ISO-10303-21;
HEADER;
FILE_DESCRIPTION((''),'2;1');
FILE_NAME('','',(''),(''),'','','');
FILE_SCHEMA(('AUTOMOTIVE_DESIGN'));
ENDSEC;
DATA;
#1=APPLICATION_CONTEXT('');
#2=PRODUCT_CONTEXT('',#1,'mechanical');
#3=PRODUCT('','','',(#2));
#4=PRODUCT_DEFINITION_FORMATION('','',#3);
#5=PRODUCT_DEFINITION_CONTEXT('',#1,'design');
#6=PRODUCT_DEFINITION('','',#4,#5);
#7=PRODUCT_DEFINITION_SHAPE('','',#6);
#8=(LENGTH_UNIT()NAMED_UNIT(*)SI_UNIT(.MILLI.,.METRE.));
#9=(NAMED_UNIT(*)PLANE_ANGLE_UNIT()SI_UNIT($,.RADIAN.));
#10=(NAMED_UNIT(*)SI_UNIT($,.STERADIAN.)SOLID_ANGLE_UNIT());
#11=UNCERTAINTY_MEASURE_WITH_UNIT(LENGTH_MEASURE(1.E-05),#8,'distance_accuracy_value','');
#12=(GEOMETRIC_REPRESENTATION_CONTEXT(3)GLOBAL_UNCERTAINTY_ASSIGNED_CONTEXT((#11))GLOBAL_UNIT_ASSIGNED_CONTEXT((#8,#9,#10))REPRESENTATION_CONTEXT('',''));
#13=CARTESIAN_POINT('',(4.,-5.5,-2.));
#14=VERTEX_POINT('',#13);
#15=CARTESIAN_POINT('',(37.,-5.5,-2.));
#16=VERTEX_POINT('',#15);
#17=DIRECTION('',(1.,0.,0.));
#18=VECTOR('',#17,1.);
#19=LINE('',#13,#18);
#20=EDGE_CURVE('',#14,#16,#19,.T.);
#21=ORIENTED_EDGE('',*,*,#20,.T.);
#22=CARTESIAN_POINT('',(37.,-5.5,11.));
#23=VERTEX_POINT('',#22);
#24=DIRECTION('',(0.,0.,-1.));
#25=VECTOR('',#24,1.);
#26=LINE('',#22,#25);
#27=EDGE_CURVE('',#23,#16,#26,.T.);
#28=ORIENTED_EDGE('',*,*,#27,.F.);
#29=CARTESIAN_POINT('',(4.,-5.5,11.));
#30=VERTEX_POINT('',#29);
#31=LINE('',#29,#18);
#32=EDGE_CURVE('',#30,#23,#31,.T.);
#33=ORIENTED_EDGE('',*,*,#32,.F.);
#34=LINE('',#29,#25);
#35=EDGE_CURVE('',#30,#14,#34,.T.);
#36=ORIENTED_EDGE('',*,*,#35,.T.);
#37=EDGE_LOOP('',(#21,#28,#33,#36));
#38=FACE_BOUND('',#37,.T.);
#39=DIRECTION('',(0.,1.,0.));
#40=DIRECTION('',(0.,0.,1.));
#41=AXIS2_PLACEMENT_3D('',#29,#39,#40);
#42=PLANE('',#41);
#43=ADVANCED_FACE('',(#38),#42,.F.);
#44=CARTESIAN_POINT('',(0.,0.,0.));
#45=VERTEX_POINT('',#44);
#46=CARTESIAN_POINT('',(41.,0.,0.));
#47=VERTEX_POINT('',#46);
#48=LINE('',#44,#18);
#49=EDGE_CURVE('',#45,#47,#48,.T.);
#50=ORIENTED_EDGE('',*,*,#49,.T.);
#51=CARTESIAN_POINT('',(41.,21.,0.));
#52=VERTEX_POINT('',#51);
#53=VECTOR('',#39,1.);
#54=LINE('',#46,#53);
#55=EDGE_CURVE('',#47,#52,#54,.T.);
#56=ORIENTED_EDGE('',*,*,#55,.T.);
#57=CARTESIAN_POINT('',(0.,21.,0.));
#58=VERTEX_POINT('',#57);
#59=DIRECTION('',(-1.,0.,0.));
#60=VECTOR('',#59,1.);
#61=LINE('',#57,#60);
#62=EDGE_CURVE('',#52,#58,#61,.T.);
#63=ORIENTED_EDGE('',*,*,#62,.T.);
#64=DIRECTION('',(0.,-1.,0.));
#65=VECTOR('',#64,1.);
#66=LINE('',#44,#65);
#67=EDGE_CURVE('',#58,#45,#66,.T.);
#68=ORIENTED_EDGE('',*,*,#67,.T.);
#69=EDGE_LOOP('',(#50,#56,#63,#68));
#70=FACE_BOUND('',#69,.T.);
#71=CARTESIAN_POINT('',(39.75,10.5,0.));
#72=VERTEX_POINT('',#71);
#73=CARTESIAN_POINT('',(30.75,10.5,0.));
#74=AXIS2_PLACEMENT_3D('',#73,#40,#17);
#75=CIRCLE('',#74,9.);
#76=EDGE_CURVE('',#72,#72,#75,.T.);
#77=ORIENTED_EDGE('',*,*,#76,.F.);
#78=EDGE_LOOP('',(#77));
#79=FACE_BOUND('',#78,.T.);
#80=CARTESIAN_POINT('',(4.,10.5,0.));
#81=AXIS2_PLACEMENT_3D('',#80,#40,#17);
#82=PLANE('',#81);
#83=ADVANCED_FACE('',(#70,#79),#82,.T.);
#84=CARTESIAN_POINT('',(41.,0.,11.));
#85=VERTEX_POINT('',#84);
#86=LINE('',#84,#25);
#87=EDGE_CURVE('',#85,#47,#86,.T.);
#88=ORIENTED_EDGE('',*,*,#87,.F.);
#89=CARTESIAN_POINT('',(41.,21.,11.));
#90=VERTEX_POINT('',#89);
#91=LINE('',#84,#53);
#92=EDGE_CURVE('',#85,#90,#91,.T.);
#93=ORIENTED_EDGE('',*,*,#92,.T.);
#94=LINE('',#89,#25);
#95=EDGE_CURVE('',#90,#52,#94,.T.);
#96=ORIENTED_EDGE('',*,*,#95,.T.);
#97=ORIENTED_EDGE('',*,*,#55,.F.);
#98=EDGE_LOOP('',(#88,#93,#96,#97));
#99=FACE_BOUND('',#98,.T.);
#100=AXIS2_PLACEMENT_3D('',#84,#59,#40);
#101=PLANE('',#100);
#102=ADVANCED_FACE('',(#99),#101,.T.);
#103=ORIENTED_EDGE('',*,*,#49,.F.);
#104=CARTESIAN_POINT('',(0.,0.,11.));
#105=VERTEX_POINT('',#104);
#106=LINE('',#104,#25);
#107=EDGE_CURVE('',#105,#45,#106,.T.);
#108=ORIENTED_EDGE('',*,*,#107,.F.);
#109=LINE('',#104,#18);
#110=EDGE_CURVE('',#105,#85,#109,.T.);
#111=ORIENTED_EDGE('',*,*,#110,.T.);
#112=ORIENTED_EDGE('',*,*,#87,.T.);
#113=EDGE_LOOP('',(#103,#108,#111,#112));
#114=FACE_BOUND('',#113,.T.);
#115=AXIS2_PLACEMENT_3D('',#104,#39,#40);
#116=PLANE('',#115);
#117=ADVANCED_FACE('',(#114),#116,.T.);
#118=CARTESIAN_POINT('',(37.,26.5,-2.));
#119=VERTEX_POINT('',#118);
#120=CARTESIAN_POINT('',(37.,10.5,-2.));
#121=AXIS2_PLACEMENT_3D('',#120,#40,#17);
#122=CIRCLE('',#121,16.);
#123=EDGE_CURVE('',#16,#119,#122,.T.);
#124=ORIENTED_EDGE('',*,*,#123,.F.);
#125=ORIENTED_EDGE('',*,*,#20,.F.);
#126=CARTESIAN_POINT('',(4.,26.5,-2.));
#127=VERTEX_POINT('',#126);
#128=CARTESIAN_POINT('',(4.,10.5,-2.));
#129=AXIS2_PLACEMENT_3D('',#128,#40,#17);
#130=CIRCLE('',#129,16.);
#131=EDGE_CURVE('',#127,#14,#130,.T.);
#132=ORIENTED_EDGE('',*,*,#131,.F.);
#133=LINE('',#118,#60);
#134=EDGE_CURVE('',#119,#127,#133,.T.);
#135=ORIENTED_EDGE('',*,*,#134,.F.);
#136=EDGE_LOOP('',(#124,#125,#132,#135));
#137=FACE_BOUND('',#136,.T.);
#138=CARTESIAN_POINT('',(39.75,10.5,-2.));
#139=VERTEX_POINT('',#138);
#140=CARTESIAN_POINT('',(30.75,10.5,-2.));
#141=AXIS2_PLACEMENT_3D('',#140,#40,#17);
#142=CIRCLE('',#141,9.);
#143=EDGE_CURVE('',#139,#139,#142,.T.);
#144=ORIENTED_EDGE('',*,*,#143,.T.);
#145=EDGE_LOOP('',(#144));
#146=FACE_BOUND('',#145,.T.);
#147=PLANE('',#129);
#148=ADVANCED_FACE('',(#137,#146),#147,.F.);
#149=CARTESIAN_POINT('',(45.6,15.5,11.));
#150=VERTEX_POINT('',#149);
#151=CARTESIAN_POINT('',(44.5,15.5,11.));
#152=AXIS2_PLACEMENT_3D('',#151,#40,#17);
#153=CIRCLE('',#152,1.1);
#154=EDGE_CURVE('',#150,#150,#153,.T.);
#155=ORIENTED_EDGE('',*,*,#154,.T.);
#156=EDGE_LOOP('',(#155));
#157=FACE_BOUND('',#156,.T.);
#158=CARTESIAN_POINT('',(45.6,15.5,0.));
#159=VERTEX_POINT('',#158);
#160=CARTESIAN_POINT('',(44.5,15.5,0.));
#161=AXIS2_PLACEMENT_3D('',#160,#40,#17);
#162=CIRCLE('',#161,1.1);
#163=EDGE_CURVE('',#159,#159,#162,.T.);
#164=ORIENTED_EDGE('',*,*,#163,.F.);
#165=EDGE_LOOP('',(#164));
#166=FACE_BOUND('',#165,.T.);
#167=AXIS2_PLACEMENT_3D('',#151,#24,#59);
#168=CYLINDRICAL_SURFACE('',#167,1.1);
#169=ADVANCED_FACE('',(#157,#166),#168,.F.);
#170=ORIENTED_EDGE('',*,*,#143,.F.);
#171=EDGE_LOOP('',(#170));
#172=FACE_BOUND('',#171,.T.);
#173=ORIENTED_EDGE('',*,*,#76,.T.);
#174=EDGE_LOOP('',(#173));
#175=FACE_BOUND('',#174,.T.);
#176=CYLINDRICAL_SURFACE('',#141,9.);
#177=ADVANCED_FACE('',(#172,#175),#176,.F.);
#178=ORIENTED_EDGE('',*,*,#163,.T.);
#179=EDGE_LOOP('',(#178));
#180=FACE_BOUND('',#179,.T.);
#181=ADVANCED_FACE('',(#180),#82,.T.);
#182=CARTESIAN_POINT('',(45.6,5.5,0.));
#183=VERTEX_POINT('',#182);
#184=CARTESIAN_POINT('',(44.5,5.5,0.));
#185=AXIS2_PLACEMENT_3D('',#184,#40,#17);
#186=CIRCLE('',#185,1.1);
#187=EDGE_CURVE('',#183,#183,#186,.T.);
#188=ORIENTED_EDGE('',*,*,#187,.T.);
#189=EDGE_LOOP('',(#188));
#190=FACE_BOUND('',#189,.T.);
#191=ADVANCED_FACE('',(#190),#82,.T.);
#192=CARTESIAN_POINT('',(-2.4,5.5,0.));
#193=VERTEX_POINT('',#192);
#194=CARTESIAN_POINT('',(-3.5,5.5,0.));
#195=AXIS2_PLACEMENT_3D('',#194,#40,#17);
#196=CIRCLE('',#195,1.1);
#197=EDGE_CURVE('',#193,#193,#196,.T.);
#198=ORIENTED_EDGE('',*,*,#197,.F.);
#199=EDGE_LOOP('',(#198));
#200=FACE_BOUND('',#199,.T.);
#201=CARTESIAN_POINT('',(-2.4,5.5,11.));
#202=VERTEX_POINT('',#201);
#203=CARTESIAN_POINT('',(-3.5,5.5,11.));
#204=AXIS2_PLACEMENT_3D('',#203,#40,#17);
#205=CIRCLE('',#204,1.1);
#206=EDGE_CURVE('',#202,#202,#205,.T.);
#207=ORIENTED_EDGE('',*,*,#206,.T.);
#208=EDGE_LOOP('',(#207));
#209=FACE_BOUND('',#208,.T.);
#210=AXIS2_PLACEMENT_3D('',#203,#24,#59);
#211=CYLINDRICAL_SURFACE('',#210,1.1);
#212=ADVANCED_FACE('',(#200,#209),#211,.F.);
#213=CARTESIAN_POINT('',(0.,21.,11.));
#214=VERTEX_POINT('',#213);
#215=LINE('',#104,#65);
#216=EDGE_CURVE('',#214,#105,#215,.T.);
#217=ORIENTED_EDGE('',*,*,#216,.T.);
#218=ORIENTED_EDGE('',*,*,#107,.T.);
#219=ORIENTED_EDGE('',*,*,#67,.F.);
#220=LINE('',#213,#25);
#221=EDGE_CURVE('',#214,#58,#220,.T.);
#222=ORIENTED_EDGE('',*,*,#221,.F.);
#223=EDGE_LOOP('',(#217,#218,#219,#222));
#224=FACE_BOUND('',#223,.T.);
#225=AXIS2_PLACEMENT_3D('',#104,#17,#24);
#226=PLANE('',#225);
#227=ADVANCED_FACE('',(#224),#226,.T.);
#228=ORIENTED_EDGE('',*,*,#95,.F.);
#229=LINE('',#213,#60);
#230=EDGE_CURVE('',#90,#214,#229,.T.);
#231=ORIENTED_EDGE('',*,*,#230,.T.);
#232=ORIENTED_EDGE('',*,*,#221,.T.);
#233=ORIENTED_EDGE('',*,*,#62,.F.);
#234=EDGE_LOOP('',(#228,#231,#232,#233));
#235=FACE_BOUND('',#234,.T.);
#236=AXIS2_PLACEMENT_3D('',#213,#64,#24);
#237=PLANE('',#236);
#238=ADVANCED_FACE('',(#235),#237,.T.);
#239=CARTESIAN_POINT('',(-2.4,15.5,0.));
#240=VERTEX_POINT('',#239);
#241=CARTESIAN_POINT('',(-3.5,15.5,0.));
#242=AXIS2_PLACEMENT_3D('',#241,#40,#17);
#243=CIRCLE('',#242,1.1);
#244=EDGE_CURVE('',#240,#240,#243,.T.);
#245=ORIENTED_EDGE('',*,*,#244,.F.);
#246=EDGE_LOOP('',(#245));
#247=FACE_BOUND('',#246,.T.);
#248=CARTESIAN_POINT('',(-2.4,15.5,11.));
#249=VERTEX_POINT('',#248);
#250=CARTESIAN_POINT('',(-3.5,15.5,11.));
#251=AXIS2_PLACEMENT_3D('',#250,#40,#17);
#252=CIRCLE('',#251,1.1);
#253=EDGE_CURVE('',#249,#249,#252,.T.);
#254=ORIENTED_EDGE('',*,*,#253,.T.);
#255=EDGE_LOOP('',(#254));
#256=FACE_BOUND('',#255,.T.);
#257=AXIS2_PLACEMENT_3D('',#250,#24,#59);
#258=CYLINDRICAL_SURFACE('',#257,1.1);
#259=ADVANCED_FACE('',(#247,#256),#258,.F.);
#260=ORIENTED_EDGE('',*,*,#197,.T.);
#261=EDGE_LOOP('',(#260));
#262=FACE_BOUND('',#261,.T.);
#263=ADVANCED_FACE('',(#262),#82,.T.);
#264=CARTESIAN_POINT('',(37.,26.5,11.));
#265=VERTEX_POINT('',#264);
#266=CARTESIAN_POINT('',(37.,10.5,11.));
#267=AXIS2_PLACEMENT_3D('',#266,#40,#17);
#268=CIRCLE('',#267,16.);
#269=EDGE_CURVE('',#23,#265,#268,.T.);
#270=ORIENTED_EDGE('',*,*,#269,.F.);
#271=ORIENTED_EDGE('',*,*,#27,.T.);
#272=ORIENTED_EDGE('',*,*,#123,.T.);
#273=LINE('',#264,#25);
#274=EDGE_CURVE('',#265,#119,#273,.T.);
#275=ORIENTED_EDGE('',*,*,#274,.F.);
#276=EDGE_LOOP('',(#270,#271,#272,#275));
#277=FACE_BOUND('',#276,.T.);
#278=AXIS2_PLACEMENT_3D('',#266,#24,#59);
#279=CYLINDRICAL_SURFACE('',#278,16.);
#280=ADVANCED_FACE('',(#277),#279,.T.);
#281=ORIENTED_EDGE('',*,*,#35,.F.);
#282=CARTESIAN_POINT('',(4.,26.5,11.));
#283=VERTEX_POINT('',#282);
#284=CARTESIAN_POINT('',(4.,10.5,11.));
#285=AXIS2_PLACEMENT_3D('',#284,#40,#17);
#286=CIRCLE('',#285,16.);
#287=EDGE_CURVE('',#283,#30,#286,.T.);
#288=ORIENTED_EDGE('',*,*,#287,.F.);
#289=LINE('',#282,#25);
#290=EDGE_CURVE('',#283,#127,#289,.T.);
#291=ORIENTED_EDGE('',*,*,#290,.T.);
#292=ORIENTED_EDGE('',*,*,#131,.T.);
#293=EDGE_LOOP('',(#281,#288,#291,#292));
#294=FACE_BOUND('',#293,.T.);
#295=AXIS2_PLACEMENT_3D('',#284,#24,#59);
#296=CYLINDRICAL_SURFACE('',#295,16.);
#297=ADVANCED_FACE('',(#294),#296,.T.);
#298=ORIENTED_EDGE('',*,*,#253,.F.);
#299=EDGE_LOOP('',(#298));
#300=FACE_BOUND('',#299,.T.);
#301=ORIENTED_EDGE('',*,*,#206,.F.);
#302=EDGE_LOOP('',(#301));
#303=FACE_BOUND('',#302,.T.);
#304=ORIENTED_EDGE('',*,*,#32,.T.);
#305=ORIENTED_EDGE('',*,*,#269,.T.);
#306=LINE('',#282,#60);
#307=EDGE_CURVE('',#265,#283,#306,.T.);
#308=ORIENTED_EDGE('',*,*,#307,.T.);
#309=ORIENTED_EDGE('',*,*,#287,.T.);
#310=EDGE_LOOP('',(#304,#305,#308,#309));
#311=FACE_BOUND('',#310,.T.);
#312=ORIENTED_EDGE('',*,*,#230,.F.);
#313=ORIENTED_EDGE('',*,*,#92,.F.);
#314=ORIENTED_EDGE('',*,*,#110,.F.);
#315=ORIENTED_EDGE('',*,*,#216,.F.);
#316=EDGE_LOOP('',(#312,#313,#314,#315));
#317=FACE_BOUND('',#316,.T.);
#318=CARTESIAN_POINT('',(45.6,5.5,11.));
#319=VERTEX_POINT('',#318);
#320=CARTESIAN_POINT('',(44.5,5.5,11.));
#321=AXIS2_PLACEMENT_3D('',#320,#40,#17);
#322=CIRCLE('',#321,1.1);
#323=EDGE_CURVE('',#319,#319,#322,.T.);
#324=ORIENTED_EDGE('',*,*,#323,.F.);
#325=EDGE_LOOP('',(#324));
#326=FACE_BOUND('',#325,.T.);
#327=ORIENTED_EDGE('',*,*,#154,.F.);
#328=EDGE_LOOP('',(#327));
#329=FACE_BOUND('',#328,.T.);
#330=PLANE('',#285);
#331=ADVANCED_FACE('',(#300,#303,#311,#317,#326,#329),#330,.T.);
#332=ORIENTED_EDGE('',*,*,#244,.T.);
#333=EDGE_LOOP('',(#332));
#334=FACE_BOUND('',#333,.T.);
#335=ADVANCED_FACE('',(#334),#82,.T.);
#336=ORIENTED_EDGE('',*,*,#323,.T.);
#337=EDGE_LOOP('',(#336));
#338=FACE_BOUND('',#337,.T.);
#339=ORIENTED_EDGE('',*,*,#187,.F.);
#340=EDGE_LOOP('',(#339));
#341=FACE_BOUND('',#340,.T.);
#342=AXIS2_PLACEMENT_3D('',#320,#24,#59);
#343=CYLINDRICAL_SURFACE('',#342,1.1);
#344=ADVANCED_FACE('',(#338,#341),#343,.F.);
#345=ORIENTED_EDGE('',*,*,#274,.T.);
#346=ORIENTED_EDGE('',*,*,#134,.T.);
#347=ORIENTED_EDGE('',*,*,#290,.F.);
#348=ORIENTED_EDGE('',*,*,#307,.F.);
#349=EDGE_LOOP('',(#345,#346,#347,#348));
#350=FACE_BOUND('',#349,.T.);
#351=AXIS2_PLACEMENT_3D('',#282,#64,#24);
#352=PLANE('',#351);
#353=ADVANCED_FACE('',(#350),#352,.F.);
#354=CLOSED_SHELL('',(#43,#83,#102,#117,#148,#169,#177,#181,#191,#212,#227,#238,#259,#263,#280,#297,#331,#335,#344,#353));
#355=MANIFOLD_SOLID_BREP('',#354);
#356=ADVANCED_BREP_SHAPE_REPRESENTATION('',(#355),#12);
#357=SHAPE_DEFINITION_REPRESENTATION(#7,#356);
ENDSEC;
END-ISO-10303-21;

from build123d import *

# Parameters (mm, degrees)
SKETCH1_R           = 1.1
SKETCH1_W           = 41
SKETCH1_H           = 21
BOSS_EXTRUDE1_DEPTH = 11
SKETCH2_R           = 9.000000034
BOSS_EXTRUDE2_DEPTH = 2


with BuildPart() as part:
    # Sketch1 → Boss-Extrude1 (new body)
    with BuildSketch(Plane.XY):
        with BuildLine():
            Line((4, -5.500000004), (37, -5.500000004))
            ThreePointArc((37, -5.500000004), (53.000000004, 10.5), (37, 26.500000004))
            Line((37, 26.500000004), (4, 26.500000004))
            ThreePointArc((4, 26.500000004), (-12.000000004, 10.5), (4, -5.500000004))
        make_face()
        with Locations((-3.5, 15.5)):
            Circle(SKETCH1_R, mode=Mode.SUBTRACT)
        with Locations((-3.5, 5.5)):
            Circle(SKETCH1_R, mode=Mode.SUBTRACT)
        with Locations((44.5, 5.5)):
            Circle(SKETCH1_R, mode=Mode.SUBTRACT)
        with Locations((44.5, 15.5)):
            Circle(SKETCH1_R, mode=Mode.SUBTRACT)
        with Locations((20.5, 10.5)):
            Rectangle(SKETCH1_W, SKETCH1_H, mode=Mode.SUBTRACT)
    extrude(amount=BOSS_EXTRUDE1_DEPTH)

    # Sketch2 → Boss-Extrude2 (add)
    with BuildSketch(Plane.XY):
        with BuildLine():
            Line((37, 26.500000004), (4, 26.500000004))
            ThreePointArc((4, 26.500000004), (-12.000000004, 10.5), (4, -5.500000004))
            Line((4, -5.500000004), (37, -5.500000004))
            ThreePointArc((37, -5.500000004), (53.000000004, 10.5), (37, 26.500000004))
        make_face()
        with Locations((30.749999966, 10.5)):
            Circle(SKETCH2_R, mode=Mode.SUBTRACT)
    extrude(amount=-BOSS_EXTRUDE2_DEPTH)


solid = part.part
